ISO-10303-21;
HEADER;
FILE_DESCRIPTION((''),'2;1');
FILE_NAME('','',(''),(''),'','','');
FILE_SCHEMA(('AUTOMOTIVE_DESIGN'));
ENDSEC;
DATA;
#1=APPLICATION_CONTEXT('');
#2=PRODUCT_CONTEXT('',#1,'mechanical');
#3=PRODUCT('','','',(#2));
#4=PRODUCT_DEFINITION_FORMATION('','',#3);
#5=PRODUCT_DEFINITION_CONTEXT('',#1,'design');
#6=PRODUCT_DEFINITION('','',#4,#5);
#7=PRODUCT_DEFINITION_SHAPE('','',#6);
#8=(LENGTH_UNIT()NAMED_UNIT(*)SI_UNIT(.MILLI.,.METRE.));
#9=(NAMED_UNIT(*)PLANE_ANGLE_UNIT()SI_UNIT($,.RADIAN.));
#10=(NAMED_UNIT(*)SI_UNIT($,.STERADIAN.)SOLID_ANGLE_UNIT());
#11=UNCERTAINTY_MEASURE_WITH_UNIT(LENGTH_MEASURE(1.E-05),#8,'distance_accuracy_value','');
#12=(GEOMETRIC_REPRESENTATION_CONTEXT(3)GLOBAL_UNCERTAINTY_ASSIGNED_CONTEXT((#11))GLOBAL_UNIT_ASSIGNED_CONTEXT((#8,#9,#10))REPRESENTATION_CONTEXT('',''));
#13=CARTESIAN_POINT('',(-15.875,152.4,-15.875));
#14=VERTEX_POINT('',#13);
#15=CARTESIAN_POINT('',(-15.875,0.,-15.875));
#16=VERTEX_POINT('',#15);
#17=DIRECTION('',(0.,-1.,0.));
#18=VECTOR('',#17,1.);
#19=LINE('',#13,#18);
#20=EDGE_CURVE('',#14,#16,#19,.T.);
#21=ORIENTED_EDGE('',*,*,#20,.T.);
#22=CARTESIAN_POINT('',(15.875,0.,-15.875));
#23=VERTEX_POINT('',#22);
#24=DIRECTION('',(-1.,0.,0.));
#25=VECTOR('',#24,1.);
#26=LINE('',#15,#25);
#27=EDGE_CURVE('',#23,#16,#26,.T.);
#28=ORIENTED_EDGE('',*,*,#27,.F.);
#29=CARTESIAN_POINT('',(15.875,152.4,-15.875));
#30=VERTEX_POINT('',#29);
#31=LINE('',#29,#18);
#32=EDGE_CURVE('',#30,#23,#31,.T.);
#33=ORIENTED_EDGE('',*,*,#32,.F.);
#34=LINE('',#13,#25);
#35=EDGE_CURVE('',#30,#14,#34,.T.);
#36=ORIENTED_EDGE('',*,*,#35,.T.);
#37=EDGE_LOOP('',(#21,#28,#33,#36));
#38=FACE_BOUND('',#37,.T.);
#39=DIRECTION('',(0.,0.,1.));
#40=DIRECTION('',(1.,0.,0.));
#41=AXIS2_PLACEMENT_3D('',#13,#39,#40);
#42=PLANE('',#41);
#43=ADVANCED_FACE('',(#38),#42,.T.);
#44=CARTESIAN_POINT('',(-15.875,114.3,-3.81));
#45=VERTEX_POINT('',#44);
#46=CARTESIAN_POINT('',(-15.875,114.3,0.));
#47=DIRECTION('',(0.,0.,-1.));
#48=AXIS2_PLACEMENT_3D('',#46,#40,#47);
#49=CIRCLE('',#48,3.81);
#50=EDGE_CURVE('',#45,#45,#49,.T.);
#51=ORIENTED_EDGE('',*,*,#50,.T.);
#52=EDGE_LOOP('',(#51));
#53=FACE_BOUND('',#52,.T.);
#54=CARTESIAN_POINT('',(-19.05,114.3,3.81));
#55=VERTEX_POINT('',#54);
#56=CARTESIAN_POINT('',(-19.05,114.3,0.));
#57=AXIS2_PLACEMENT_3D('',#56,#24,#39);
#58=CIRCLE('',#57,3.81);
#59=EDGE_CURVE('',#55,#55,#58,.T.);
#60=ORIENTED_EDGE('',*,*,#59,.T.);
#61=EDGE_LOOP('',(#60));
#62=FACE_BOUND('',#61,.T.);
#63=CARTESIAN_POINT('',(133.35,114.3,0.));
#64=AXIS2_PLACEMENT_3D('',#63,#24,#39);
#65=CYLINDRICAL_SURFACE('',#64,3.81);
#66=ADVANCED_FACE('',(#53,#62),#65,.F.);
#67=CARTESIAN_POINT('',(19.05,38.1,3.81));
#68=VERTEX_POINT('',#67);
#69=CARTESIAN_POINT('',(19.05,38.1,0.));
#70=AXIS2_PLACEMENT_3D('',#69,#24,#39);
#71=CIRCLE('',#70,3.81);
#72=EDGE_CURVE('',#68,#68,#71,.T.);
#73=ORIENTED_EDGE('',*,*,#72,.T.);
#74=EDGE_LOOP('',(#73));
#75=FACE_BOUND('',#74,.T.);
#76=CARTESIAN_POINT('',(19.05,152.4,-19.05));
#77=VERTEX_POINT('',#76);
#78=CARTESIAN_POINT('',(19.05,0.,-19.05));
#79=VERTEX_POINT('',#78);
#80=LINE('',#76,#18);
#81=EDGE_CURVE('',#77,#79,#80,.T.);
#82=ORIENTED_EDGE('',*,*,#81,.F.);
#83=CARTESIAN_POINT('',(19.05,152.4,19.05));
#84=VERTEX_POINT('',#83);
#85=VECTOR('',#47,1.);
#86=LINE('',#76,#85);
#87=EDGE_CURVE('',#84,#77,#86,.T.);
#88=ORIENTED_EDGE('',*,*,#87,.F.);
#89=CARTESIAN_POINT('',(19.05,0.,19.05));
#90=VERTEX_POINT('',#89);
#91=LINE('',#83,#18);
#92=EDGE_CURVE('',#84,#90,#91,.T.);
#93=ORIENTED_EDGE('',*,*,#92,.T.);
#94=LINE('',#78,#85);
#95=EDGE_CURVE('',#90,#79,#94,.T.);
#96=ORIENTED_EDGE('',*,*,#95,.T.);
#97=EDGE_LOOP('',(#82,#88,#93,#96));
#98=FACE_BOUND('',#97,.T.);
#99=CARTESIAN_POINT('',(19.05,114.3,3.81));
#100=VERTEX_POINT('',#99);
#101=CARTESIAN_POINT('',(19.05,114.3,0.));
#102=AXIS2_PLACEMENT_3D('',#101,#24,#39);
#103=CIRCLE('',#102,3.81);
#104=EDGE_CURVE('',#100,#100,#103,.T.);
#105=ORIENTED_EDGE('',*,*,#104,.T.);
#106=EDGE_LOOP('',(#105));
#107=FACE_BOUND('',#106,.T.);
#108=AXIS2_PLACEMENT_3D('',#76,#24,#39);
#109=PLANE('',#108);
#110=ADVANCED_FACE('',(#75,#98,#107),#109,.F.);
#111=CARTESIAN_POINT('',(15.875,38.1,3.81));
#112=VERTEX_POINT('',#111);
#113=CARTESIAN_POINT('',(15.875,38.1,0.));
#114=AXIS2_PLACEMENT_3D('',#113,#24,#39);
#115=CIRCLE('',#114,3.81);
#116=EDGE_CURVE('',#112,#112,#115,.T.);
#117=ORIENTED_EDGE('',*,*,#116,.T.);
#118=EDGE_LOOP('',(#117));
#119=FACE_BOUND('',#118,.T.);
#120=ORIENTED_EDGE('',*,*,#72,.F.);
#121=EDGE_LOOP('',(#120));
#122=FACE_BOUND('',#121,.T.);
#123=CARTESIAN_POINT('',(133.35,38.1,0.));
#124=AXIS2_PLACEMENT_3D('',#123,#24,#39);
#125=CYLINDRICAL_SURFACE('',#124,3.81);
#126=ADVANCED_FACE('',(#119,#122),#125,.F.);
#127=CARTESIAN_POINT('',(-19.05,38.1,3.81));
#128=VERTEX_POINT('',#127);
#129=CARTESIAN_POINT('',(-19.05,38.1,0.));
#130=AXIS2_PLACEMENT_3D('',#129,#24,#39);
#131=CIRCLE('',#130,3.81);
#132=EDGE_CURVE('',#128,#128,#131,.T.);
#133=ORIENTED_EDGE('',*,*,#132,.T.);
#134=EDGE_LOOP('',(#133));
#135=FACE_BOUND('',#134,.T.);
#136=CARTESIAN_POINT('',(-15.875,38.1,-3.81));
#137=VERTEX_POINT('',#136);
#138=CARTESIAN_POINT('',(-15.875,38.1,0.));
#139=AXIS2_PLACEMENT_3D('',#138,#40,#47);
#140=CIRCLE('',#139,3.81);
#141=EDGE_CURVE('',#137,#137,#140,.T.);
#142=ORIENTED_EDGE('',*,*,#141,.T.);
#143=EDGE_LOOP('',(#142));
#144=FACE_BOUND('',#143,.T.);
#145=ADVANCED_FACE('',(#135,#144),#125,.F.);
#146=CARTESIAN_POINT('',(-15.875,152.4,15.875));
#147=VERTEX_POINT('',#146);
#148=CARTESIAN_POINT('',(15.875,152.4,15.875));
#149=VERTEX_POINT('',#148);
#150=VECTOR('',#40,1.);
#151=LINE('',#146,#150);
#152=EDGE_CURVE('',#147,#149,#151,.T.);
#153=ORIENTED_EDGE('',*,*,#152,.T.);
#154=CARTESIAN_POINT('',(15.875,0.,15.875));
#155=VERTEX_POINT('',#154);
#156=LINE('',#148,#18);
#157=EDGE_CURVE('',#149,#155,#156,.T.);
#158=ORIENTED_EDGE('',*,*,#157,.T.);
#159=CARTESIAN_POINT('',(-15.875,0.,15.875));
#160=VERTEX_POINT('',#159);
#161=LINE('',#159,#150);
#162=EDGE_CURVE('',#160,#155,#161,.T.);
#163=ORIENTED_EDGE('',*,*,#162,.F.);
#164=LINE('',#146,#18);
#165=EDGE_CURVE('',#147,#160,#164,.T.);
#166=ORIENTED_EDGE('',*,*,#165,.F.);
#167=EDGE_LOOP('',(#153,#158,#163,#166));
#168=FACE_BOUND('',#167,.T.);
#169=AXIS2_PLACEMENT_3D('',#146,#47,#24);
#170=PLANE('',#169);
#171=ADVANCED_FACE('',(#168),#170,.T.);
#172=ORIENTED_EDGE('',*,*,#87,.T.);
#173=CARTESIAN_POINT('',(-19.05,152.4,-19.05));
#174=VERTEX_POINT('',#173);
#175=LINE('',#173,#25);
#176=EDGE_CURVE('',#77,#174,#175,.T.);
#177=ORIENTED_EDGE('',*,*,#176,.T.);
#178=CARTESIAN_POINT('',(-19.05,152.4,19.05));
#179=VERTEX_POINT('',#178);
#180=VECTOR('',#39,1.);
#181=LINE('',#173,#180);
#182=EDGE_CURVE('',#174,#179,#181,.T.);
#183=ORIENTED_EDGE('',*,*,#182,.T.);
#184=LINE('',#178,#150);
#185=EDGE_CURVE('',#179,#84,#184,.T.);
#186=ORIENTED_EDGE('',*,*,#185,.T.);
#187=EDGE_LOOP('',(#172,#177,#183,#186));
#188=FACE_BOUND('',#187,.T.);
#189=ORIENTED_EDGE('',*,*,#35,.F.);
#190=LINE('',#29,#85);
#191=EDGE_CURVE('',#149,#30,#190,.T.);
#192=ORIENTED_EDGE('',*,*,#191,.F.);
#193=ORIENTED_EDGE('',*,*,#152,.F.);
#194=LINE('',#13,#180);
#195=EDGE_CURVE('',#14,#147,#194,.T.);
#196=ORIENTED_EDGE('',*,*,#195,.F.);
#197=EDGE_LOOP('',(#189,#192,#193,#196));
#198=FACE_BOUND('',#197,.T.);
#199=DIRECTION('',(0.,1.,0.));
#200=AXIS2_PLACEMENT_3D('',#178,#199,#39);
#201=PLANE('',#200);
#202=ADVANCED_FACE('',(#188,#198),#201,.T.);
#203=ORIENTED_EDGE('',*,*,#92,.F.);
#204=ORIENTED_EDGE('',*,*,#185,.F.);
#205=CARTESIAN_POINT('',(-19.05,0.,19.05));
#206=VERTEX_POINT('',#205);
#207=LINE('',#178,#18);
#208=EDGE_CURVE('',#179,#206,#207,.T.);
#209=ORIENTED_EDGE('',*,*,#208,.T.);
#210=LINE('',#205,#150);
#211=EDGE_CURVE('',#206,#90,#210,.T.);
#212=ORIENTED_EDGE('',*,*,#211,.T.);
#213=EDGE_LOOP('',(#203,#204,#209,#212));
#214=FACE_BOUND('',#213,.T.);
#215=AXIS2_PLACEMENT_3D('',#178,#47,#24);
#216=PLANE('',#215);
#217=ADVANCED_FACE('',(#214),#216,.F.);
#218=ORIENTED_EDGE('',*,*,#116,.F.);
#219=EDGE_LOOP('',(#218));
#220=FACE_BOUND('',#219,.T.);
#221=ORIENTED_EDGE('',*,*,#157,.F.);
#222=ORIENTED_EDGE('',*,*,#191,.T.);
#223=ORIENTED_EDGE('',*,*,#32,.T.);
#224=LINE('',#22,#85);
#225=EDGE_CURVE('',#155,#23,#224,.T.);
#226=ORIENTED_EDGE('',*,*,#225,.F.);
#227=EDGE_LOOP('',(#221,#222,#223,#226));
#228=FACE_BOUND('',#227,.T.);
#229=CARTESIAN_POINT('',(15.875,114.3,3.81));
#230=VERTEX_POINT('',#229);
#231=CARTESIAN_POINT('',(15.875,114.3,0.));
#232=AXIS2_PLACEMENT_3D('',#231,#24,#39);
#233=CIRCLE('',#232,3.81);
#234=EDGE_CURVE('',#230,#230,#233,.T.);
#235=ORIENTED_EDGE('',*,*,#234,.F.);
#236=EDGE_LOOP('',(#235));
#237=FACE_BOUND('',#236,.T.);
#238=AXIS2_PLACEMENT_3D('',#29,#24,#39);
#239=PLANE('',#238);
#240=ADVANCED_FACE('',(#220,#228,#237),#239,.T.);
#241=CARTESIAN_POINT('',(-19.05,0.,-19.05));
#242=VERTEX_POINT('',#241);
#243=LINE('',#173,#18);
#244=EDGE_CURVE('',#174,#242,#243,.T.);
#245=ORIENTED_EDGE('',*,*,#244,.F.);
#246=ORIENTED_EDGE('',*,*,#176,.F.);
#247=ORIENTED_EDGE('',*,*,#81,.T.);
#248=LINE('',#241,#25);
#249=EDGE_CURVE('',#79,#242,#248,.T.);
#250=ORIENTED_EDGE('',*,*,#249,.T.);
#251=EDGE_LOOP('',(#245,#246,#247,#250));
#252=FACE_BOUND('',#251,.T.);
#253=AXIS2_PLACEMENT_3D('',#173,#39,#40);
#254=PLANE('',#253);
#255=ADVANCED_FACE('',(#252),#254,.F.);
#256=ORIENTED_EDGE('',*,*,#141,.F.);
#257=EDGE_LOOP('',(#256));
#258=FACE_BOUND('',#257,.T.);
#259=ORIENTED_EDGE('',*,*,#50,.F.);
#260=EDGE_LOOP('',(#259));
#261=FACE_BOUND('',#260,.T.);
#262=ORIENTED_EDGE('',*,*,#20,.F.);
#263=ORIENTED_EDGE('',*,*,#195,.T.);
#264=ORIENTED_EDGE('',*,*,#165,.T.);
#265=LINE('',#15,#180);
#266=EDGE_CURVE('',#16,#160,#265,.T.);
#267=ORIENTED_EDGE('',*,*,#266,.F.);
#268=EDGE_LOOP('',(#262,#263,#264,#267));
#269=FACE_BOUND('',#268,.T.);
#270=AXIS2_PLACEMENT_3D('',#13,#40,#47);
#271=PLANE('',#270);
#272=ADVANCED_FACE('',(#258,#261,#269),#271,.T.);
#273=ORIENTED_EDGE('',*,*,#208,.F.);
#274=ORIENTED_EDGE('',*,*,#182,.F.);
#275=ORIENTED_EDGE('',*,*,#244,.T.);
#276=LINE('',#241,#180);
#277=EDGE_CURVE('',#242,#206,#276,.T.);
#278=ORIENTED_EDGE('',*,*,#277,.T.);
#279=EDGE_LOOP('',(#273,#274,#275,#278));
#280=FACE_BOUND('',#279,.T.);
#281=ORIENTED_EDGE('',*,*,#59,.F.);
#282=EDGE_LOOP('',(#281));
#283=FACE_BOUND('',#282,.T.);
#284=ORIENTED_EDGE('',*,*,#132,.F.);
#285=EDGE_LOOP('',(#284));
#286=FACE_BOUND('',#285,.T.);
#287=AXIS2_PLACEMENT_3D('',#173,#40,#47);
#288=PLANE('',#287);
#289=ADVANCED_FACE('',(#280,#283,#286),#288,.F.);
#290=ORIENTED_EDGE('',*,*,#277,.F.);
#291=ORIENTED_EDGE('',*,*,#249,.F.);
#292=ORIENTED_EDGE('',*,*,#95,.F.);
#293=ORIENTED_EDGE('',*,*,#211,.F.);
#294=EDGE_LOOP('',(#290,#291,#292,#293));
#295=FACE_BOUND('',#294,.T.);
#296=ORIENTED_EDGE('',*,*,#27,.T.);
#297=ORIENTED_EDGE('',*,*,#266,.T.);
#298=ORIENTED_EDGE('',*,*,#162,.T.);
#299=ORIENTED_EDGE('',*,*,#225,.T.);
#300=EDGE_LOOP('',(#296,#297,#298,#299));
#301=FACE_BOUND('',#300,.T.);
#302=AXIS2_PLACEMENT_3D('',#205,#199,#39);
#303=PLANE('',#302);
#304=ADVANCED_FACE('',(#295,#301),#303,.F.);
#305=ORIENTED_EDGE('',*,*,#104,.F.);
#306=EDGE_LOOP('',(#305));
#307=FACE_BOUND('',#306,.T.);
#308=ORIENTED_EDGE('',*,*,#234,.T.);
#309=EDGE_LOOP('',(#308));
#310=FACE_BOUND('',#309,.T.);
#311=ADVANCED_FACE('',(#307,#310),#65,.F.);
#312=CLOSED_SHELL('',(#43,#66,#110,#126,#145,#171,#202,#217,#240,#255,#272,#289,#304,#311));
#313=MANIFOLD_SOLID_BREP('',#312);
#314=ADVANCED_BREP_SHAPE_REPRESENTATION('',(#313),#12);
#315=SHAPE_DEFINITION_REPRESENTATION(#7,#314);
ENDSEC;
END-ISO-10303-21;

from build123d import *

# Parameters (mm, degrees)
SKETCH1_W           = 38.1
SKETCH1_H           = 38.1
SKETCH1_W_2         = 31.75
SKETCH1_H_2         = 31.75
BOSS_EXTRUDE1_DEPTH = 152.4
SKETCH2_R           = 3.81
CUT_EXTRUDE1_DEPTH  = 152.4


with BuildPart() as part:
    # Sketch1 → Boss-Extrude1 (new body)
    with BuildSketch(Plane(origin=(0, 0, 0), x_dir=(1, 0, 0), z_dir=(0, 1, 0))):
        Rectangle(SKETCH1_W, SKETCH1_H)
        Rectangle(SKETCH1_W_2, SKETCH1_H_2, mode=Mode.SUBTRACT)
    extrude(amount=BOSS_EXTRUDE1_DEPTH)

    # Sketch2 → Cut-Extrude1 (cut)
    with BuildSketch(Plane.ZY.offset(19.05)):
        with Locations((0, 114.3)):
            Circle(SKETCH2_R)
        with Locations((0, 38.1)):
            Circle(SKETCH2_R)
    extrude(amount=-CUT_EXTRUDE1_DEPTH, mode=Mode.SUBTRACT)


solid = part.part
